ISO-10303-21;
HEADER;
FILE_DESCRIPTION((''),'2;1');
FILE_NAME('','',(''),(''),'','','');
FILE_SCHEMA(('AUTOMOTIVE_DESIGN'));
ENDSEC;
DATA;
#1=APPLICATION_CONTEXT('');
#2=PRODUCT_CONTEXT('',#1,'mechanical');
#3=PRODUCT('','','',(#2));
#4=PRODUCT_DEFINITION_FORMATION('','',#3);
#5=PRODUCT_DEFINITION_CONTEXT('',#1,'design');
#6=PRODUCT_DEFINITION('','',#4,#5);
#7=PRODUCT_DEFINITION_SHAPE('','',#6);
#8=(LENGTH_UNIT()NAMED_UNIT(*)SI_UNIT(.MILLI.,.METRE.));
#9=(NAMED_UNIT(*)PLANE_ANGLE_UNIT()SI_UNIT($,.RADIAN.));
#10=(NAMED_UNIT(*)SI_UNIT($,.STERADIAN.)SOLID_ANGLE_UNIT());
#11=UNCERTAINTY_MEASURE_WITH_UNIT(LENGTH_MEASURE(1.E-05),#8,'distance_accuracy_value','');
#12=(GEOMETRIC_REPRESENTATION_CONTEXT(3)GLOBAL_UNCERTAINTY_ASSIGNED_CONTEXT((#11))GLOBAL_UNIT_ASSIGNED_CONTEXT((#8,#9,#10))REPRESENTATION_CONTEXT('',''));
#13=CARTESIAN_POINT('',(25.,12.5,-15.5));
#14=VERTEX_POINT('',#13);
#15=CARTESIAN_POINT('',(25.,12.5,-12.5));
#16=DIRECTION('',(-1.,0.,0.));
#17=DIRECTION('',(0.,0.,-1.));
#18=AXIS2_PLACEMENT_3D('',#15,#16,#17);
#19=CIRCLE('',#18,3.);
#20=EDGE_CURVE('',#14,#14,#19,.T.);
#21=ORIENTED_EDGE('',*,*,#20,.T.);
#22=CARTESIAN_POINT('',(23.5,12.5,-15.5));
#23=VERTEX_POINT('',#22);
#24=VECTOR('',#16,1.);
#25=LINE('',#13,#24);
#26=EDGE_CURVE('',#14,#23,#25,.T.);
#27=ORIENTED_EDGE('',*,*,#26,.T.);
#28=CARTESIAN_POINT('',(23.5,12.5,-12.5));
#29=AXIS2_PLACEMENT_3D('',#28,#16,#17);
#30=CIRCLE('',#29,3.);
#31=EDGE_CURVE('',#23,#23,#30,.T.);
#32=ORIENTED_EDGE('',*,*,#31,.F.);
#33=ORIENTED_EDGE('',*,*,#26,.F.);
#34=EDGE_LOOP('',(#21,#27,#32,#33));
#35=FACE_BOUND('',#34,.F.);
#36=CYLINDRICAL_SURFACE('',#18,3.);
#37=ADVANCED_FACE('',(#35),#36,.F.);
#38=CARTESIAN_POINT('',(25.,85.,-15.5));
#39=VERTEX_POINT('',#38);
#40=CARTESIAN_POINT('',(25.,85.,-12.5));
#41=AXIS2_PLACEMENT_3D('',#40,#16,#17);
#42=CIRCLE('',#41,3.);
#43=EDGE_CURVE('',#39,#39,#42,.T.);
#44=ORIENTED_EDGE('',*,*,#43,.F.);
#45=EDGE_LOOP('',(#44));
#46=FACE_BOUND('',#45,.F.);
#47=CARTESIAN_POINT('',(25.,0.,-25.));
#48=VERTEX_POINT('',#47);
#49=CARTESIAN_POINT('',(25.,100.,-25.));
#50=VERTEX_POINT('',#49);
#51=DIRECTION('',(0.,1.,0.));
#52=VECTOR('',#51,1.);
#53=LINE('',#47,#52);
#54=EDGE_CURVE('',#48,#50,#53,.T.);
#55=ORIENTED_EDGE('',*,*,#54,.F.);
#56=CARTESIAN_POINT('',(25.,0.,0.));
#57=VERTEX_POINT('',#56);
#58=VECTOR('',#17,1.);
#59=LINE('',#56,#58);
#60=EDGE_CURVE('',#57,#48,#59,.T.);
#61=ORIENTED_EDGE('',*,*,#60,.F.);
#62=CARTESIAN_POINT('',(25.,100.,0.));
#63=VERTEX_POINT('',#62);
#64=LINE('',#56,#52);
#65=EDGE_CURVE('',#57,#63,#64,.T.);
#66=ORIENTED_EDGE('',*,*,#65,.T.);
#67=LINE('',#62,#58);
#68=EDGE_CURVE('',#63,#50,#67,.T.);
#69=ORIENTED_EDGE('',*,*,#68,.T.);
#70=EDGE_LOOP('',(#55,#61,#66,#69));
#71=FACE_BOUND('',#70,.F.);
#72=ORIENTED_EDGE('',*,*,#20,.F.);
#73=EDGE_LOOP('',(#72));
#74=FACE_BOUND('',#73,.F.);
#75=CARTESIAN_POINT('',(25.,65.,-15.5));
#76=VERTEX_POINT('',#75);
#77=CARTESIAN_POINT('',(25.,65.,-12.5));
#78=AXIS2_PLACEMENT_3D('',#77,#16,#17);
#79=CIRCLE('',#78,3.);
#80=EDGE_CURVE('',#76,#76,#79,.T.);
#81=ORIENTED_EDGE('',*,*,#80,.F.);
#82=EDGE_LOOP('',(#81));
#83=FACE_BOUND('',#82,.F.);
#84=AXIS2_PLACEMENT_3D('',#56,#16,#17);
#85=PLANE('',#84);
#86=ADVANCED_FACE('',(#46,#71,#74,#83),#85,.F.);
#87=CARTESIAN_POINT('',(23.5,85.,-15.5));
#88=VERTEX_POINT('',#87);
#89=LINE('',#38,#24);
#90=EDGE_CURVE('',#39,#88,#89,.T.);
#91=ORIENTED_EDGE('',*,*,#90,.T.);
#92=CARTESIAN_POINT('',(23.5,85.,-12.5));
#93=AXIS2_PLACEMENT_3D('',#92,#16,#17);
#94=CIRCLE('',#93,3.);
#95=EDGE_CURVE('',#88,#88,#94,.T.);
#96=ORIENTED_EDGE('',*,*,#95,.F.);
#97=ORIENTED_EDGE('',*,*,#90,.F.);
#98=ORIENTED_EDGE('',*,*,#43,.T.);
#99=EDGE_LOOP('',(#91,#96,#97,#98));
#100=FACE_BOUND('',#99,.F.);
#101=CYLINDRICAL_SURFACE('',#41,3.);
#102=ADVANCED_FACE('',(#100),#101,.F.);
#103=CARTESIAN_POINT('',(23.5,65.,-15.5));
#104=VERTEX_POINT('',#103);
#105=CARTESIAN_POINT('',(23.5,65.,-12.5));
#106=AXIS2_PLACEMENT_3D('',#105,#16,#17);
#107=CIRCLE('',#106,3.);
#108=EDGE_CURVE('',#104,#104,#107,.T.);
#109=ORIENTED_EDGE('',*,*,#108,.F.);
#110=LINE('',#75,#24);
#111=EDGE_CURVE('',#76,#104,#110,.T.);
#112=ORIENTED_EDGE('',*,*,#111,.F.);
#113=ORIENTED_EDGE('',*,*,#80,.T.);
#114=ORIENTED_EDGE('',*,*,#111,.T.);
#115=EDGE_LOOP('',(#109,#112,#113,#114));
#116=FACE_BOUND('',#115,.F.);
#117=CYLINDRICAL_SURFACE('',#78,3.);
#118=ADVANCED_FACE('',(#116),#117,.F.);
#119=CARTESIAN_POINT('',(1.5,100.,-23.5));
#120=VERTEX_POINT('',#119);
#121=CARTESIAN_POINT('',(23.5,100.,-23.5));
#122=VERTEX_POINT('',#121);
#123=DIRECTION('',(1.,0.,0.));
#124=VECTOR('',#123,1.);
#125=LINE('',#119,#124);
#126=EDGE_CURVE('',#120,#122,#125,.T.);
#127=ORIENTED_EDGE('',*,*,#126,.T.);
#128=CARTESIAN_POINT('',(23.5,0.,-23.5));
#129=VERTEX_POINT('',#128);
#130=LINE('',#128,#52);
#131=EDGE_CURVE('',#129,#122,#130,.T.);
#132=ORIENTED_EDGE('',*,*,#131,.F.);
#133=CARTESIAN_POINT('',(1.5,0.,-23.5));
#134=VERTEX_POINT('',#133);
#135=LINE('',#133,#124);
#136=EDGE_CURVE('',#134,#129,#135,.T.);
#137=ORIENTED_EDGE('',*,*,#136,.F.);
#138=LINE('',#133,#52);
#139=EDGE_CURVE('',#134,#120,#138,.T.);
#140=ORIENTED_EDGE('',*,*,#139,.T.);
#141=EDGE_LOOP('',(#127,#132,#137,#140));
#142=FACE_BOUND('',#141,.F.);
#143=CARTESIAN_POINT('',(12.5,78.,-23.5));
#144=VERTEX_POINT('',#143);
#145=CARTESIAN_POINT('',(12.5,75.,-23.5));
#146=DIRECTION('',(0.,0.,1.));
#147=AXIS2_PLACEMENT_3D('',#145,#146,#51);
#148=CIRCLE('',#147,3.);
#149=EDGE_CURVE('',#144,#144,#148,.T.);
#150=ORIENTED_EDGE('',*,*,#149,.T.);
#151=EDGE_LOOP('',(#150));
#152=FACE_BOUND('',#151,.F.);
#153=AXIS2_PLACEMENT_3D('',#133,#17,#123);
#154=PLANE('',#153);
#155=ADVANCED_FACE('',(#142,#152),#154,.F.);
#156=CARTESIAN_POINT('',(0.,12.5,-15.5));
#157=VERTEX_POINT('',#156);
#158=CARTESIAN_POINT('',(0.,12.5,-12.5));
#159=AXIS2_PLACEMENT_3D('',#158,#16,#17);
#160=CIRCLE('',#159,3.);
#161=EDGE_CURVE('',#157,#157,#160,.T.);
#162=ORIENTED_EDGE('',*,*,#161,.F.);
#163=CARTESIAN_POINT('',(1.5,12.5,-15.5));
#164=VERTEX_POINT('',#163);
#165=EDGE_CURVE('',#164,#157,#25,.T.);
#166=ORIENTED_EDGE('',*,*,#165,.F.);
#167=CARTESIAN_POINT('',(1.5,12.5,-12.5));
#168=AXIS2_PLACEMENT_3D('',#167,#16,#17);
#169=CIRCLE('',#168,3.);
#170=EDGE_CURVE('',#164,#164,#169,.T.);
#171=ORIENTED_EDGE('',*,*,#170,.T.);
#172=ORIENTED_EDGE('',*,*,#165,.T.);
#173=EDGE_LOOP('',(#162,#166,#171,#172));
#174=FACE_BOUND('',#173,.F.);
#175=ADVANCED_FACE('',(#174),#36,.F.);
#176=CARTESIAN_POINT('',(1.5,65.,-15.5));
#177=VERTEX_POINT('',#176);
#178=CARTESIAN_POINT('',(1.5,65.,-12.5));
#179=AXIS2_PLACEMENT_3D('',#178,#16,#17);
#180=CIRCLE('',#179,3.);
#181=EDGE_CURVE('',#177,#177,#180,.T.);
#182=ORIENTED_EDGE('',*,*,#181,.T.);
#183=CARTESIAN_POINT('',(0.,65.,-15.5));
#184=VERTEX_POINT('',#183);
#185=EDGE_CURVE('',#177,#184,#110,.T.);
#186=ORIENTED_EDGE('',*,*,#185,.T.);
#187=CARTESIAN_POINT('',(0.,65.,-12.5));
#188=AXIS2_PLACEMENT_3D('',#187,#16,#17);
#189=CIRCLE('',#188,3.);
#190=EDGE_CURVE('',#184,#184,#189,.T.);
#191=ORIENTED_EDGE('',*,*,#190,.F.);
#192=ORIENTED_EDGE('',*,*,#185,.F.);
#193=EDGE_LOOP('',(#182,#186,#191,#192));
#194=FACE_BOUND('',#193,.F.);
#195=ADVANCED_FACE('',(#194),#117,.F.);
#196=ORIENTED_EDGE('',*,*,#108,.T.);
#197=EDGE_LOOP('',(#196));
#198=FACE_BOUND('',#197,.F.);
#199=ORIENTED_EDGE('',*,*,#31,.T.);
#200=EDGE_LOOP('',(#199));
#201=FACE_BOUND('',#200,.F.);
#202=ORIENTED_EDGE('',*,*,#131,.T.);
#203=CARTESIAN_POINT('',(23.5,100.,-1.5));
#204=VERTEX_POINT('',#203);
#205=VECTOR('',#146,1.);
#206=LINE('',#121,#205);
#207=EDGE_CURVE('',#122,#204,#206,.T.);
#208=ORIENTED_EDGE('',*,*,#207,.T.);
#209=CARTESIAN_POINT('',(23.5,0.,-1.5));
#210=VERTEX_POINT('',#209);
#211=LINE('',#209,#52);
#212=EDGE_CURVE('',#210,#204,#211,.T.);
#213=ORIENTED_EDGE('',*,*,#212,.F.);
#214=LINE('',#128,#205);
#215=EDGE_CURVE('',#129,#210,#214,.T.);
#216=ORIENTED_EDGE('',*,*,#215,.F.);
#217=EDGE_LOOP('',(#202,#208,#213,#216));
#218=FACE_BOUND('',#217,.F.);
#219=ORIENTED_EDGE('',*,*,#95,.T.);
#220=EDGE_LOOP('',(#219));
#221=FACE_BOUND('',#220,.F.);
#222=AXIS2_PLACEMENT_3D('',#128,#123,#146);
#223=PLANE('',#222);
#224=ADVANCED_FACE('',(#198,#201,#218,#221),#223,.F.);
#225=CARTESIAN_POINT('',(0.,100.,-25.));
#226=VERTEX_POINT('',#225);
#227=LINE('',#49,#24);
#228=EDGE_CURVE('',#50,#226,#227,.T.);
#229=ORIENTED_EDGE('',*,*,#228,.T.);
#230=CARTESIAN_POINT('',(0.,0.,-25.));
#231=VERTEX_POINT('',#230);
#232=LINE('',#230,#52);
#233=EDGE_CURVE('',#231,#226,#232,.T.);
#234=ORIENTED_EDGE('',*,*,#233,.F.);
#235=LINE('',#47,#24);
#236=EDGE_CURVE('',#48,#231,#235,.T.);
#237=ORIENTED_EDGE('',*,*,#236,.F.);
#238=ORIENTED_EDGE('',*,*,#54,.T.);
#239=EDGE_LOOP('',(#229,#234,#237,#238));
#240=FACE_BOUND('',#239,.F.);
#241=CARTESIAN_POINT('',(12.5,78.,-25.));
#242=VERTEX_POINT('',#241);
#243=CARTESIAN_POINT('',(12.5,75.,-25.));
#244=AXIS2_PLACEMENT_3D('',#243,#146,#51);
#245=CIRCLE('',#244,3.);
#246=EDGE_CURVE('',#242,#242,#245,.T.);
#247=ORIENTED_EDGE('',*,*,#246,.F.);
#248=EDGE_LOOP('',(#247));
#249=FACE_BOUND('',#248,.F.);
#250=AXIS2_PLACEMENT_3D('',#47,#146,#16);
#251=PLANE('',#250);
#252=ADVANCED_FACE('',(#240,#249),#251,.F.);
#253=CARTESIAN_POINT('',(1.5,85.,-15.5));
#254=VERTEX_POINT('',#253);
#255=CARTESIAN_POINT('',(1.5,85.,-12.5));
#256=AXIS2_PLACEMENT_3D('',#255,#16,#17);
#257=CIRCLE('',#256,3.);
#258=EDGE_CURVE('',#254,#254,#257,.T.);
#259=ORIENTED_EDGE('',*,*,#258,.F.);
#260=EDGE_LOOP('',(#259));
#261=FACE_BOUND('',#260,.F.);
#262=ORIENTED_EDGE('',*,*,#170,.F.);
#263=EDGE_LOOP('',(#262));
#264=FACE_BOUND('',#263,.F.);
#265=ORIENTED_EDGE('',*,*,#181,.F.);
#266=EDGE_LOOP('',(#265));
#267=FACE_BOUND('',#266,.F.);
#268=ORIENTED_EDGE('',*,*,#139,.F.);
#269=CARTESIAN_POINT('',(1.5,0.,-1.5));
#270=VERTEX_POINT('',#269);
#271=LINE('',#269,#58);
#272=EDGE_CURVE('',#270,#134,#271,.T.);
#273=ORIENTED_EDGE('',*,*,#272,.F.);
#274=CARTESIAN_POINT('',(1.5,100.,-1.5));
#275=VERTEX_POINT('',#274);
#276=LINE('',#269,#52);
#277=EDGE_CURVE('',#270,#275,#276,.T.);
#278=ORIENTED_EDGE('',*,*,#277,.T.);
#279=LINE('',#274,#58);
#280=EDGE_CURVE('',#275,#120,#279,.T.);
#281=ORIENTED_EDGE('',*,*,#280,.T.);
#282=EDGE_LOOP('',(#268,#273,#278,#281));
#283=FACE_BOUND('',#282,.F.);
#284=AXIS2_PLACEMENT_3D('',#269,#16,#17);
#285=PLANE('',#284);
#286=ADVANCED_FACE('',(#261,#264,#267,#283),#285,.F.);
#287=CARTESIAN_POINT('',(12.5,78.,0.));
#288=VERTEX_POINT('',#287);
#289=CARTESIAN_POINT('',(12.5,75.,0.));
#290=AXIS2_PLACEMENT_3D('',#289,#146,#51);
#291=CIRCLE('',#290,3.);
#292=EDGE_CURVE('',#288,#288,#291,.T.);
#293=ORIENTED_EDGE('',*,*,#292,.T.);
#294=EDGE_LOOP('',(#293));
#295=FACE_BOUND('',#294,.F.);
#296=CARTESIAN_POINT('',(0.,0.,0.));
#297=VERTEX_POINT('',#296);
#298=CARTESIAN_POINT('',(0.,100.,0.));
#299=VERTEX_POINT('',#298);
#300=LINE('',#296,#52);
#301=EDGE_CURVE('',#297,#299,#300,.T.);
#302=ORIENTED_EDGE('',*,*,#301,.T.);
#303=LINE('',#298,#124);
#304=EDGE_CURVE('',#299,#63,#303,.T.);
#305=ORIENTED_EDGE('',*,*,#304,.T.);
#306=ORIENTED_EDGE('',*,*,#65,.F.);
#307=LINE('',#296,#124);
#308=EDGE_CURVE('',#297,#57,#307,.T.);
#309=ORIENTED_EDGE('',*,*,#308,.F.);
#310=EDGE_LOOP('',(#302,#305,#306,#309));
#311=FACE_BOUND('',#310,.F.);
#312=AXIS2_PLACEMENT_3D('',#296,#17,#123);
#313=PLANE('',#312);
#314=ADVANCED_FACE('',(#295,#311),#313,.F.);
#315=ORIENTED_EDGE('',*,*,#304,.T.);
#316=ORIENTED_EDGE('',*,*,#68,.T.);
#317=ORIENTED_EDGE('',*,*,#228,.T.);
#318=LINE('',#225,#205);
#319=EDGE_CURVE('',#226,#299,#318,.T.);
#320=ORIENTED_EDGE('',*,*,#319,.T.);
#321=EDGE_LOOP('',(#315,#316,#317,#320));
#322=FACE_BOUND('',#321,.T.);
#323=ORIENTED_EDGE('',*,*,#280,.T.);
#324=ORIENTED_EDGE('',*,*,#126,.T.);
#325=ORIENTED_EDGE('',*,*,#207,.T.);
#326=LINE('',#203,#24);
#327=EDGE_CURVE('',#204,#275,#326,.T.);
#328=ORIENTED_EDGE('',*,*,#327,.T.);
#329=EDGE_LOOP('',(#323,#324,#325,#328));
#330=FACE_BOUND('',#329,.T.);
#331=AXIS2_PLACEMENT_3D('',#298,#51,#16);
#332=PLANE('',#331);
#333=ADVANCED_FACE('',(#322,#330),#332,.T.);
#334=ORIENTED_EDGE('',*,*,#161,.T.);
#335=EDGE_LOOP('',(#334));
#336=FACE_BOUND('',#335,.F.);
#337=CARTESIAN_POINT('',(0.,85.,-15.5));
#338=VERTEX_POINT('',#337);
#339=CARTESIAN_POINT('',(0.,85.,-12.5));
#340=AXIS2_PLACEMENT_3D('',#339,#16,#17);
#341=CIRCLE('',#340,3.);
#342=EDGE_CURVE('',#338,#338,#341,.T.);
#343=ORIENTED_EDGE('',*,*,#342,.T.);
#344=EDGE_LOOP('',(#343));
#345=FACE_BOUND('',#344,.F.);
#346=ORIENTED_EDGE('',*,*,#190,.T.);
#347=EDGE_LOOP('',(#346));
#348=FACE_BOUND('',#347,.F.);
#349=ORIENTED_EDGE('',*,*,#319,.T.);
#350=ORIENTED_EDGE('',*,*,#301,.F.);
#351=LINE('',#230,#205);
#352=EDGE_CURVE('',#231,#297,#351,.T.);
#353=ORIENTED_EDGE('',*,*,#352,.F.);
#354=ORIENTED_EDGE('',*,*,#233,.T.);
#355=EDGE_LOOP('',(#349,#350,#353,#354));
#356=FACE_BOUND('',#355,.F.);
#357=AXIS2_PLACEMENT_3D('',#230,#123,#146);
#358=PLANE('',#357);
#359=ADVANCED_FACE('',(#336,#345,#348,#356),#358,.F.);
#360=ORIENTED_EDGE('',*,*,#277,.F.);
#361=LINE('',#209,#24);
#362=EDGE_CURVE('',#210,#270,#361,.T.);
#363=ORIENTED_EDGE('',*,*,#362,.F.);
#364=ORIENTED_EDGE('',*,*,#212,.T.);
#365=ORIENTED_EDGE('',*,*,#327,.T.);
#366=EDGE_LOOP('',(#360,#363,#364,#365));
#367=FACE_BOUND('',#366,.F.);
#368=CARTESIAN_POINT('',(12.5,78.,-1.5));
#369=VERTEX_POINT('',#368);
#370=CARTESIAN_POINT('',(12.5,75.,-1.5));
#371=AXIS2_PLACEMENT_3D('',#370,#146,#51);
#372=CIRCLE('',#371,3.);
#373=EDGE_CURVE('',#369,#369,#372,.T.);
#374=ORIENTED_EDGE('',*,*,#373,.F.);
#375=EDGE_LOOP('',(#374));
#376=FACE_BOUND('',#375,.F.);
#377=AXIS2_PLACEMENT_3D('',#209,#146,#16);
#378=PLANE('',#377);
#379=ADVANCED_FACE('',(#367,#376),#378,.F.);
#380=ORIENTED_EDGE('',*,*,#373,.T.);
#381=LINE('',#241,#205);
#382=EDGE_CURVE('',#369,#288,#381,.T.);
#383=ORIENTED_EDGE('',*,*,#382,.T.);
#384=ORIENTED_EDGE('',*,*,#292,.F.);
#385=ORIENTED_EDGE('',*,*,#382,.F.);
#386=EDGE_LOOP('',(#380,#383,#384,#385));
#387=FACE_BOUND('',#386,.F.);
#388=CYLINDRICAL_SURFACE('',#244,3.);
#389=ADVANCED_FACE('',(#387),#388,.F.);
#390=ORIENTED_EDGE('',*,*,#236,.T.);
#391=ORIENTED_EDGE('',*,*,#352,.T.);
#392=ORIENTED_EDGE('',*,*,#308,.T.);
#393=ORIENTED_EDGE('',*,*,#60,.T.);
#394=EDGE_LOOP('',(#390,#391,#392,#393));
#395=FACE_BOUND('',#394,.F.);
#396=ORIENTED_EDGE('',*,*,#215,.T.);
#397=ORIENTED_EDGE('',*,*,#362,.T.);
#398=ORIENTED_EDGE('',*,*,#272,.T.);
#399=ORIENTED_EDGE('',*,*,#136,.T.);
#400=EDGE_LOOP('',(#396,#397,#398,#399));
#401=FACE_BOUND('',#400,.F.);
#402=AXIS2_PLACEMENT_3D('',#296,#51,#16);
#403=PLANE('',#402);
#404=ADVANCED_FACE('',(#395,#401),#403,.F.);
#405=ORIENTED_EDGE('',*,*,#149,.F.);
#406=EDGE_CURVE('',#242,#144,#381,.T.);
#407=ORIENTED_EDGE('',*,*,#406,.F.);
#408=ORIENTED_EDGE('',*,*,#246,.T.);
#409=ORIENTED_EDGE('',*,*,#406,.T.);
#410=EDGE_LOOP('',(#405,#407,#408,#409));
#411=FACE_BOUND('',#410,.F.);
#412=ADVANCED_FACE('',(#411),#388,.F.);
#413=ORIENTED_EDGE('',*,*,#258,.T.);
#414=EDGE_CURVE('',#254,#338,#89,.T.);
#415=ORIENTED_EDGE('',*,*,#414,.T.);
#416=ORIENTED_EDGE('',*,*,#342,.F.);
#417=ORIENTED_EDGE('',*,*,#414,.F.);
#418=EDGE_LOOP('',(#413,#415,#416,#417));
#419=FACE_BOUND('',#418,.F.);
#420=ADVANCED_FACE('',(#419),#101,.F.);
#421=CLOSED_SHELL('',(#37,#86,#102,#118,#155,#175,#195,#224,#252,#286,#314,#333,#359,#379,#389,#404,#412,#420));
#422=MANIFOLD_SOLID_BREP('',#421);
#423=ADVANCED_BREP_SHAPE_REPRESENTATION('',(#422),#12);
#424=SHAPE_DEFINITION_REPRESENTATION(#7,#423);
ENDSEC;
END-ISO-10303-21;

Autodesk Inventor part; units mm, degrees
ref_plane "YZ Plane" through (0, 0, 0) normal (1, 0, 0) x (0, 1, 0)
ref_plane "XZ Plane" through (0, 0, 0) normal (0, 1, 0) x (-1, 0, 0)
ref_plane "XY Plane" through (0, 0, 0) normal (0, 0, 1) x (1, 0, 0)
sketch "Sketch1" plane through (0, 0, 0) normal (0, 1, 0) x (-1, 0, 0)
  line L0 (0, 0) -> (-25, 0)
  line L1 (-25, 0) -> (-25, -25)
  line L2 (-25, -25) -> (0, -25)
  line L3 (0, -25) -> (0, 0)
  line L4 (-23.5, -23.5) -> (-23.5, -1.5)
  line L5 (-23.5, -1.5) -> (-1.5, -1.5)
  line L6 (-1.5, -1.5) -> (-1.5, -23.5)
  line L7 (-1.5, -23.5) -> (-23.5, -23.5)
  dimension "d0" = 25
  dimension "d1" = 25
  dimension "d2" = 1.5
extrude "Extrusion1" add sketch "Sketch1" along normal blind 100
sketch "Sketch2" plane through (25, 0, 0) normal (1, 0, 0) x (0, 0, -1)
  line L0 (0, 100) -> (25, 100) projected
  point P0 (0, 0)
  point P1 (12.5, 85)
  point P2 (12.5, 65)
  point P3 (12.5, 12.5)
  dimension "d5" = 35
  dimension "d6" = 15
  dimension "d7" = 12.5
  dimension "d15" = 12.5
hole "Hole1" at (25, 85, -12.5) at (25, 65, -12.5) at (25, 12.5, -12.5) direction (-1, 0, 0) diameter 6 end through all
sketch "Sketch3" plane through (25, 0, -25) normal (0, 0, -1) x (-1, 0, 0)
  line L0 (0, 100) -> (25, 100) projected
  point P0 (25, 0)
  point P1 (12.5, 75)
  dimension "d16" = 25
  dimension "d17" = 12.5
hole "Hole2" at (12.5, 75, -25) direction (0, 0, 1) diameter 6 end through all
properties part number "Side Bar Mount"
